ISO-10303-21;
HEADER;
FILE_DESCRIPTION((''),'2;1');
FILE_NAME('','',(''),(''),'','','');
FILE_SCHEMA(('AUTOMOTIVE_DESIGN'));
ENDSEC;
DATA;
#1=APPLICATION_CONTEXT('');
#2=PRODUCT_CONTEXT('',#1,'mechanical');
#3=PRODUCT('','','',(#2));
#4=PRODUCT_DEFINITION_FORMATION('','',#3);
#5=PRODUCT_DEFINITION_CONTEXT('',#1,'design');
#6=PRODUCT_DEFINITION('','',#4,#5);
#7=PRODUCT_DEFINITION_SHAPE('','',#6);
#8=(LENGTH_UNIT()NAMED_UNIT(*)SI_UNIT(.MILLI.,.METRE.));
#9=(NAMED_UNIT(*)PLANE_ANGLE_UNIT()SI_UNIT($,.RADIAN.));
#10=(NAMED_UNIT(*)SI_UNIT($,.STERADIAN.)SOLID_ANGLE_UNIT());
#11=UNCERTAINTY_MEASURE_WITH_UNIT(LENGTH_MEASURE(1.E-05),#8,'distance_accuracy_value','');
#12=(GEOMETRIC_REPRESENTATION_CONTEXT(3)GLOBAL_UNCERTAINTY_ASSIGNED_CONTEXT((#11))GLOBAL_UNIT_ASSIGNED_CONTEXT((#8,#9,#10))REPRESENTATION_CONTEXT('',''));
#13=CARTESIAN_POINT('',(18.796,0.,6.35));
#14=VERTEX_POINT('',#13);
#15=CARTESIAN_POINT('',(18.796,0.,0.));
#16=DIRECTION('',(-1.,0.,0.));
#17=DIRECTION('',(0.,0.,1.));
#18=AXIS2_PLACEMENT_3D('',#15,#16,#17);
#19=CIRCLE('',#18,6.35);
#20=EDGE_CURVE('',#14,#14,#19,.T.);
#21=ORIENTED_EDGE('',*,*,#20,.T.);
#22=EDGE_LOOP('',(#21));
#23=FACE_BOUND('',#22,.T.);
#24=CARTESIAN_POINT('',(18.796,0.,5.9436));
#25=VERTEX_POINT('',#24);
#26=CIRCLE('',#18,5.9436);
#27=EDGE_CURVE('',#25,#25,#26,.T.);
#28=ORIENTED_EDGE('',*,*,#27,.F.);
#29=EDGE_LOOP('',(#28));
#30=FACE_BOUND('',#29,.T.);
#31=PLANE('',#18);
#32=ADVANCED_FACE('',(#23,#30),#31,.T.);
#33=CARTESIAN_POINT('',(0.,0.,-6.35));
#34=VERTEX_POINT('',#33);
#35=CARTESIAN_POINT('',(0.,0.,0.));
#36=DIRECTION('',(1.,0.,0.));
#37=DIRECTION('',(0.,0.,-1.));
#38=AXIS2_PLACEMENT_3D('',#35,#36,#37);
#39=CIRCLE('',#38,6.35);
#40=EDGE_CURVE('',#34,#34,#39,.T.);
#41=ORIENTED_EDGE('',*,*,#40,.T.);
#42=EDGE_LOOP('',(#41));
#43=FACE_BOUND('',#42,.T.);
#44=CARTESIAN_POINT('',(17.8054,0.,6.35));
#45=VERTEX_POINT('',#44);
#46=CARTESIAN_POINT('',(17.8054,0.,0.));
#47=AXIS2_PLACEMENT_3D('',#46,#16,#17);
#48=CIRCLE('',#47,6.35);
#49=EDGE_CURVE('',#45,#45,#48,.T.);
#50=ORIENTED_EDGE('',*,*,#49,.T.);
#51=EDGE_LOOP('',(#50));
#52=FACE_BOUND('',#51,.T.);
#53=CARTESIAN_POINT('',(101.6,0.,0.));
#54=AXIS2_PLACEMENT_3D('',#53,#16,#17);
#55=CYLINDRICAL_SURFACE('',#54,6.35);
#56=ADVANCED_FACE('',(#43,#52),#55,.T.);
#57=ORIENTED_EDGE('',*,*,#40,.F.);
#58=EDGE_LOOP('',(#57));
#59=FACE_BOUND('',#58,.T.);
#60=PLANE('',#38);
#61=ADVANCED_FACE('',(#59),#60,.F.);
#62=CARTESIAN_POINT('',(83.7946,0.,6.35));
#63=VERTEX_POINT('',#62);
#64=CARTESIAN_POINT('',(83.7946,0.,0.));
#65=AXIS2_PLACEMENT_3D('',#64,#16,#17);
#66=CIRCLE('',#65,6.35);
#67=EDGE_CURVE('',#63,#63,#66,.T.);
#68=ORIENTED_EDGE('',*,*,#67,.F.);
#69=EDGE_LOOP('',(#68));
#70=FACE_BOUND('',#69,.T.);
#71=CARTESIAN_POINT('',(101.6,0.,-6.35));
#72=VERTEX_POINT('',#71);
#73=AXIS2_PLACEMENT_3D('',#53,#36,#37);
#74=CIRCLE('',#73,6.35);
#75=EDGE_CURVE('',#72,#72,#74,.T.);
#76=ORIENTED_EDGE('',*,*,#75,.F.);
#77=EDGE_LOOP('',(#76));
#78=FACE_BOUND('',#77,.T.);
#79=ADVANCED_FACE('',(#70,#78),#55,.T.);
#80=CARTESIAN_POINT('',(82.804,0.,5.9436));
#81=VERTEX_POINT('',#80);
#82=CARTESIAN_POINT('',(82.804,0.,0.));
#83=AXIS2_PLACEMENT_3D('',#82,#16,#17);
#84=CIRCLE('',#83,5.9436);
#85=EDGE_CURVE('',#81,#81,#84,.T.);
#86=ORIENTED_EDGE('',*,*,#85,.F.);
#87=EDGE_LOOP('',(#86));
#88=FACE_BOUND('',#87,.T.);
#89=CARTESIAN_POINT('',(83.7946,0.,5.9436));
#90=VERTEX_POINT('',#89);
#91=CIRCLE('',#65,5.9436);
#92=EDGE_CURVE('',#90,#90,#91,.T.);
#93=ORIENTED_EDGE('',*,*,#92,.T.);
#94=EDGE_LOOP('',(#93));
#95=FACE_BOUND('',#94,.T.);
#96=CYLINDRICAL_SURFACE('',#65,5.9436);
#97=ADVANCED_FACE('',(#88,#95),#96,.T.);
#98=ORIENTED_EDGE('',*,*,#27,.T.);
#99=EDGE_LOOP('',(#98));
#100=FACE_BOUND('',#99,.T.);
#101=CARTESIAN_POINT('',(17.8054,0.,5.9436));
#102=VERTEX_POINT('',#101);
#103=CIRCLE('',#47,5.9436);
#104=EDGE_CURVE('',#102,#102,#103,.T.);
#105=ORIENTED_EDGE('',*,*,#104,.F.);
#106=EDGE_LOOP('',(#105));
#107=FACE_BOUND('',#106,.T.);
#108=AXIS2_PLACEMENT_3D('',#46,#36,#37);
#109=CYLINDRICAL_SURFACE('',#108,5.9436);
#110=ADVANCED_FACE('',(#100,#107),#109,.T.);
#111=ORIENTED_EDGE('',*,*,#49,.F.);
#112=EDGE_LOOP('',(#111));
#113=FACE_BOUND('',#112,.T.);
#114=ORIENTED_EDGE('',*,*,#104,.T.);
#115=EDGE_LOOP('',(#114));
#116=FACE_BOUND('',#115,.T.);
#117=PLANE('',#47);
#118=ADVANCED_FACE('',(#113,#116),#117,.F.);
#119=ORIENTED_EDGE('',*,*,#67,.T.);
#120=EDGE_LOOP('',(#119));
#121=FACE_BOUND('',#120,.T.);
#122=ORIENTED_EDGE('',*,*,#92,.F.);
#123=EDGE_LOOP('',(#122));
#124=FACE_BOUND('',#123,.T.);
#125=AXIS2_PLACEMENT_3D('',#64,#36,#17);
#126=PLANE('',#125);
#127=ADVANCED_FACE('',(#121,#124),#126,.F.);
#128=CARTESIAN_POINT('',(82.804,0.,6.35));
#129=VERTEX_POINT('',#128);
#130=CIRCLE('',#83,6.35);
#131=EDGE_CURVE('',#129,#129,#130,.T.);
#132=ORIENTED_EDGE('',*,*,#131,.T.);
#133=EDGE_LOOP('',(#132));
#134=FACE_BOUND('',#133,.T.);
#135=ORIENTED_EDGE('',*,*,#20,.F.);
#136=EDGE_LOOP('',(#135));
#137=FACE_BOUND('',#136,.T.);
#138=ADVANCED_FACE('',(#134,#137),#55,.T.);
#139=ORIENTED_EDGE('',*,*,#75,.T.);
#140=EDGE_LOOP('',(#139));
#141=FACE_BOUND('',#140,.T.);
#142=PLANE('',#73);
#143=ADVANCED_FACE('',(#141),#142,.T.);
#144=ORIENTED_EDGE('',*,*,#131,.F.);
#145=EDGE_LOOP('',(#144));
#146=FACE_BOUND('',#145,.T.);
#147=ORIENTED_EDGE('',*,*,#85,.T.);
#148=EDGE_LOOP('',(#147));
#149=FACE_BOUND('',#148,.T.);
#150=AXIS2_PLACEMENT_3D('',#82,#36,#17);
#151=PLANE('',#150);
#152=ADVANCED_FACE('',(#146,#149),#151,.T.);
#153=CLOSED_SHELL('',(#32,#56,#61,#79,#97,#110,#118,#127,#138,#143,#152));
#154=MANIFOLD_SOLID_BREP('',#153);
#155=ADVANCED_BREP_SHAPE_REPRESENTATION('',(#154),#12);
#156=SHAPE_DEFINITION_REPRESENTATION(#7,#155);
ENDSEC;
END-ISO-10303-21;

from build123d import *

# Parameters (mm, degrees)
SKETCH1_R           = 6.35
BOSS_EXTRUDE1_DEPTH = 101.6
CUT_EXTRUDE1_START  = 0.9906
SKETCH2_R           = 6.35
SKETCH2_R_2         = 5.9436
CUT_EXTRUDE1_DEPTH  = 0.9906


with BuildPart() as part:
    # Sketch1 → Boss-Extrude1 (new body)
    with BuildSketch(Plane(origin=(0, 0, 0), x_dir=(0, 0, -1), z_dir=(1, 0, 0))):
        Circle(SKETCH1_R)
    extrude(amount=BOSS_EXTRUDE1_DEPTH)

    # Sketch2 → Cut-Extrude1 (cut)
    with BuildSketch(Plane.ZY.offset(-18.796).offset(CUT_EXTRUDE1_START)):
        Circle(SKETCH2_R)
        Circle(SKETCH2_R_2, mode=Mode.SUBTRACT)
    cut_extrude1 = extrude(amount=-CUT_EXTRUDE1_DEPTH, mode=Mode.SUBTRACT)

    # Mirror1: Cut-Extrude1 across plane
    add(cut_extrude1.mirror(Plane.ZY.offset(-50.8)), mode=Mode.SUBTRACT)


solid = part.part
